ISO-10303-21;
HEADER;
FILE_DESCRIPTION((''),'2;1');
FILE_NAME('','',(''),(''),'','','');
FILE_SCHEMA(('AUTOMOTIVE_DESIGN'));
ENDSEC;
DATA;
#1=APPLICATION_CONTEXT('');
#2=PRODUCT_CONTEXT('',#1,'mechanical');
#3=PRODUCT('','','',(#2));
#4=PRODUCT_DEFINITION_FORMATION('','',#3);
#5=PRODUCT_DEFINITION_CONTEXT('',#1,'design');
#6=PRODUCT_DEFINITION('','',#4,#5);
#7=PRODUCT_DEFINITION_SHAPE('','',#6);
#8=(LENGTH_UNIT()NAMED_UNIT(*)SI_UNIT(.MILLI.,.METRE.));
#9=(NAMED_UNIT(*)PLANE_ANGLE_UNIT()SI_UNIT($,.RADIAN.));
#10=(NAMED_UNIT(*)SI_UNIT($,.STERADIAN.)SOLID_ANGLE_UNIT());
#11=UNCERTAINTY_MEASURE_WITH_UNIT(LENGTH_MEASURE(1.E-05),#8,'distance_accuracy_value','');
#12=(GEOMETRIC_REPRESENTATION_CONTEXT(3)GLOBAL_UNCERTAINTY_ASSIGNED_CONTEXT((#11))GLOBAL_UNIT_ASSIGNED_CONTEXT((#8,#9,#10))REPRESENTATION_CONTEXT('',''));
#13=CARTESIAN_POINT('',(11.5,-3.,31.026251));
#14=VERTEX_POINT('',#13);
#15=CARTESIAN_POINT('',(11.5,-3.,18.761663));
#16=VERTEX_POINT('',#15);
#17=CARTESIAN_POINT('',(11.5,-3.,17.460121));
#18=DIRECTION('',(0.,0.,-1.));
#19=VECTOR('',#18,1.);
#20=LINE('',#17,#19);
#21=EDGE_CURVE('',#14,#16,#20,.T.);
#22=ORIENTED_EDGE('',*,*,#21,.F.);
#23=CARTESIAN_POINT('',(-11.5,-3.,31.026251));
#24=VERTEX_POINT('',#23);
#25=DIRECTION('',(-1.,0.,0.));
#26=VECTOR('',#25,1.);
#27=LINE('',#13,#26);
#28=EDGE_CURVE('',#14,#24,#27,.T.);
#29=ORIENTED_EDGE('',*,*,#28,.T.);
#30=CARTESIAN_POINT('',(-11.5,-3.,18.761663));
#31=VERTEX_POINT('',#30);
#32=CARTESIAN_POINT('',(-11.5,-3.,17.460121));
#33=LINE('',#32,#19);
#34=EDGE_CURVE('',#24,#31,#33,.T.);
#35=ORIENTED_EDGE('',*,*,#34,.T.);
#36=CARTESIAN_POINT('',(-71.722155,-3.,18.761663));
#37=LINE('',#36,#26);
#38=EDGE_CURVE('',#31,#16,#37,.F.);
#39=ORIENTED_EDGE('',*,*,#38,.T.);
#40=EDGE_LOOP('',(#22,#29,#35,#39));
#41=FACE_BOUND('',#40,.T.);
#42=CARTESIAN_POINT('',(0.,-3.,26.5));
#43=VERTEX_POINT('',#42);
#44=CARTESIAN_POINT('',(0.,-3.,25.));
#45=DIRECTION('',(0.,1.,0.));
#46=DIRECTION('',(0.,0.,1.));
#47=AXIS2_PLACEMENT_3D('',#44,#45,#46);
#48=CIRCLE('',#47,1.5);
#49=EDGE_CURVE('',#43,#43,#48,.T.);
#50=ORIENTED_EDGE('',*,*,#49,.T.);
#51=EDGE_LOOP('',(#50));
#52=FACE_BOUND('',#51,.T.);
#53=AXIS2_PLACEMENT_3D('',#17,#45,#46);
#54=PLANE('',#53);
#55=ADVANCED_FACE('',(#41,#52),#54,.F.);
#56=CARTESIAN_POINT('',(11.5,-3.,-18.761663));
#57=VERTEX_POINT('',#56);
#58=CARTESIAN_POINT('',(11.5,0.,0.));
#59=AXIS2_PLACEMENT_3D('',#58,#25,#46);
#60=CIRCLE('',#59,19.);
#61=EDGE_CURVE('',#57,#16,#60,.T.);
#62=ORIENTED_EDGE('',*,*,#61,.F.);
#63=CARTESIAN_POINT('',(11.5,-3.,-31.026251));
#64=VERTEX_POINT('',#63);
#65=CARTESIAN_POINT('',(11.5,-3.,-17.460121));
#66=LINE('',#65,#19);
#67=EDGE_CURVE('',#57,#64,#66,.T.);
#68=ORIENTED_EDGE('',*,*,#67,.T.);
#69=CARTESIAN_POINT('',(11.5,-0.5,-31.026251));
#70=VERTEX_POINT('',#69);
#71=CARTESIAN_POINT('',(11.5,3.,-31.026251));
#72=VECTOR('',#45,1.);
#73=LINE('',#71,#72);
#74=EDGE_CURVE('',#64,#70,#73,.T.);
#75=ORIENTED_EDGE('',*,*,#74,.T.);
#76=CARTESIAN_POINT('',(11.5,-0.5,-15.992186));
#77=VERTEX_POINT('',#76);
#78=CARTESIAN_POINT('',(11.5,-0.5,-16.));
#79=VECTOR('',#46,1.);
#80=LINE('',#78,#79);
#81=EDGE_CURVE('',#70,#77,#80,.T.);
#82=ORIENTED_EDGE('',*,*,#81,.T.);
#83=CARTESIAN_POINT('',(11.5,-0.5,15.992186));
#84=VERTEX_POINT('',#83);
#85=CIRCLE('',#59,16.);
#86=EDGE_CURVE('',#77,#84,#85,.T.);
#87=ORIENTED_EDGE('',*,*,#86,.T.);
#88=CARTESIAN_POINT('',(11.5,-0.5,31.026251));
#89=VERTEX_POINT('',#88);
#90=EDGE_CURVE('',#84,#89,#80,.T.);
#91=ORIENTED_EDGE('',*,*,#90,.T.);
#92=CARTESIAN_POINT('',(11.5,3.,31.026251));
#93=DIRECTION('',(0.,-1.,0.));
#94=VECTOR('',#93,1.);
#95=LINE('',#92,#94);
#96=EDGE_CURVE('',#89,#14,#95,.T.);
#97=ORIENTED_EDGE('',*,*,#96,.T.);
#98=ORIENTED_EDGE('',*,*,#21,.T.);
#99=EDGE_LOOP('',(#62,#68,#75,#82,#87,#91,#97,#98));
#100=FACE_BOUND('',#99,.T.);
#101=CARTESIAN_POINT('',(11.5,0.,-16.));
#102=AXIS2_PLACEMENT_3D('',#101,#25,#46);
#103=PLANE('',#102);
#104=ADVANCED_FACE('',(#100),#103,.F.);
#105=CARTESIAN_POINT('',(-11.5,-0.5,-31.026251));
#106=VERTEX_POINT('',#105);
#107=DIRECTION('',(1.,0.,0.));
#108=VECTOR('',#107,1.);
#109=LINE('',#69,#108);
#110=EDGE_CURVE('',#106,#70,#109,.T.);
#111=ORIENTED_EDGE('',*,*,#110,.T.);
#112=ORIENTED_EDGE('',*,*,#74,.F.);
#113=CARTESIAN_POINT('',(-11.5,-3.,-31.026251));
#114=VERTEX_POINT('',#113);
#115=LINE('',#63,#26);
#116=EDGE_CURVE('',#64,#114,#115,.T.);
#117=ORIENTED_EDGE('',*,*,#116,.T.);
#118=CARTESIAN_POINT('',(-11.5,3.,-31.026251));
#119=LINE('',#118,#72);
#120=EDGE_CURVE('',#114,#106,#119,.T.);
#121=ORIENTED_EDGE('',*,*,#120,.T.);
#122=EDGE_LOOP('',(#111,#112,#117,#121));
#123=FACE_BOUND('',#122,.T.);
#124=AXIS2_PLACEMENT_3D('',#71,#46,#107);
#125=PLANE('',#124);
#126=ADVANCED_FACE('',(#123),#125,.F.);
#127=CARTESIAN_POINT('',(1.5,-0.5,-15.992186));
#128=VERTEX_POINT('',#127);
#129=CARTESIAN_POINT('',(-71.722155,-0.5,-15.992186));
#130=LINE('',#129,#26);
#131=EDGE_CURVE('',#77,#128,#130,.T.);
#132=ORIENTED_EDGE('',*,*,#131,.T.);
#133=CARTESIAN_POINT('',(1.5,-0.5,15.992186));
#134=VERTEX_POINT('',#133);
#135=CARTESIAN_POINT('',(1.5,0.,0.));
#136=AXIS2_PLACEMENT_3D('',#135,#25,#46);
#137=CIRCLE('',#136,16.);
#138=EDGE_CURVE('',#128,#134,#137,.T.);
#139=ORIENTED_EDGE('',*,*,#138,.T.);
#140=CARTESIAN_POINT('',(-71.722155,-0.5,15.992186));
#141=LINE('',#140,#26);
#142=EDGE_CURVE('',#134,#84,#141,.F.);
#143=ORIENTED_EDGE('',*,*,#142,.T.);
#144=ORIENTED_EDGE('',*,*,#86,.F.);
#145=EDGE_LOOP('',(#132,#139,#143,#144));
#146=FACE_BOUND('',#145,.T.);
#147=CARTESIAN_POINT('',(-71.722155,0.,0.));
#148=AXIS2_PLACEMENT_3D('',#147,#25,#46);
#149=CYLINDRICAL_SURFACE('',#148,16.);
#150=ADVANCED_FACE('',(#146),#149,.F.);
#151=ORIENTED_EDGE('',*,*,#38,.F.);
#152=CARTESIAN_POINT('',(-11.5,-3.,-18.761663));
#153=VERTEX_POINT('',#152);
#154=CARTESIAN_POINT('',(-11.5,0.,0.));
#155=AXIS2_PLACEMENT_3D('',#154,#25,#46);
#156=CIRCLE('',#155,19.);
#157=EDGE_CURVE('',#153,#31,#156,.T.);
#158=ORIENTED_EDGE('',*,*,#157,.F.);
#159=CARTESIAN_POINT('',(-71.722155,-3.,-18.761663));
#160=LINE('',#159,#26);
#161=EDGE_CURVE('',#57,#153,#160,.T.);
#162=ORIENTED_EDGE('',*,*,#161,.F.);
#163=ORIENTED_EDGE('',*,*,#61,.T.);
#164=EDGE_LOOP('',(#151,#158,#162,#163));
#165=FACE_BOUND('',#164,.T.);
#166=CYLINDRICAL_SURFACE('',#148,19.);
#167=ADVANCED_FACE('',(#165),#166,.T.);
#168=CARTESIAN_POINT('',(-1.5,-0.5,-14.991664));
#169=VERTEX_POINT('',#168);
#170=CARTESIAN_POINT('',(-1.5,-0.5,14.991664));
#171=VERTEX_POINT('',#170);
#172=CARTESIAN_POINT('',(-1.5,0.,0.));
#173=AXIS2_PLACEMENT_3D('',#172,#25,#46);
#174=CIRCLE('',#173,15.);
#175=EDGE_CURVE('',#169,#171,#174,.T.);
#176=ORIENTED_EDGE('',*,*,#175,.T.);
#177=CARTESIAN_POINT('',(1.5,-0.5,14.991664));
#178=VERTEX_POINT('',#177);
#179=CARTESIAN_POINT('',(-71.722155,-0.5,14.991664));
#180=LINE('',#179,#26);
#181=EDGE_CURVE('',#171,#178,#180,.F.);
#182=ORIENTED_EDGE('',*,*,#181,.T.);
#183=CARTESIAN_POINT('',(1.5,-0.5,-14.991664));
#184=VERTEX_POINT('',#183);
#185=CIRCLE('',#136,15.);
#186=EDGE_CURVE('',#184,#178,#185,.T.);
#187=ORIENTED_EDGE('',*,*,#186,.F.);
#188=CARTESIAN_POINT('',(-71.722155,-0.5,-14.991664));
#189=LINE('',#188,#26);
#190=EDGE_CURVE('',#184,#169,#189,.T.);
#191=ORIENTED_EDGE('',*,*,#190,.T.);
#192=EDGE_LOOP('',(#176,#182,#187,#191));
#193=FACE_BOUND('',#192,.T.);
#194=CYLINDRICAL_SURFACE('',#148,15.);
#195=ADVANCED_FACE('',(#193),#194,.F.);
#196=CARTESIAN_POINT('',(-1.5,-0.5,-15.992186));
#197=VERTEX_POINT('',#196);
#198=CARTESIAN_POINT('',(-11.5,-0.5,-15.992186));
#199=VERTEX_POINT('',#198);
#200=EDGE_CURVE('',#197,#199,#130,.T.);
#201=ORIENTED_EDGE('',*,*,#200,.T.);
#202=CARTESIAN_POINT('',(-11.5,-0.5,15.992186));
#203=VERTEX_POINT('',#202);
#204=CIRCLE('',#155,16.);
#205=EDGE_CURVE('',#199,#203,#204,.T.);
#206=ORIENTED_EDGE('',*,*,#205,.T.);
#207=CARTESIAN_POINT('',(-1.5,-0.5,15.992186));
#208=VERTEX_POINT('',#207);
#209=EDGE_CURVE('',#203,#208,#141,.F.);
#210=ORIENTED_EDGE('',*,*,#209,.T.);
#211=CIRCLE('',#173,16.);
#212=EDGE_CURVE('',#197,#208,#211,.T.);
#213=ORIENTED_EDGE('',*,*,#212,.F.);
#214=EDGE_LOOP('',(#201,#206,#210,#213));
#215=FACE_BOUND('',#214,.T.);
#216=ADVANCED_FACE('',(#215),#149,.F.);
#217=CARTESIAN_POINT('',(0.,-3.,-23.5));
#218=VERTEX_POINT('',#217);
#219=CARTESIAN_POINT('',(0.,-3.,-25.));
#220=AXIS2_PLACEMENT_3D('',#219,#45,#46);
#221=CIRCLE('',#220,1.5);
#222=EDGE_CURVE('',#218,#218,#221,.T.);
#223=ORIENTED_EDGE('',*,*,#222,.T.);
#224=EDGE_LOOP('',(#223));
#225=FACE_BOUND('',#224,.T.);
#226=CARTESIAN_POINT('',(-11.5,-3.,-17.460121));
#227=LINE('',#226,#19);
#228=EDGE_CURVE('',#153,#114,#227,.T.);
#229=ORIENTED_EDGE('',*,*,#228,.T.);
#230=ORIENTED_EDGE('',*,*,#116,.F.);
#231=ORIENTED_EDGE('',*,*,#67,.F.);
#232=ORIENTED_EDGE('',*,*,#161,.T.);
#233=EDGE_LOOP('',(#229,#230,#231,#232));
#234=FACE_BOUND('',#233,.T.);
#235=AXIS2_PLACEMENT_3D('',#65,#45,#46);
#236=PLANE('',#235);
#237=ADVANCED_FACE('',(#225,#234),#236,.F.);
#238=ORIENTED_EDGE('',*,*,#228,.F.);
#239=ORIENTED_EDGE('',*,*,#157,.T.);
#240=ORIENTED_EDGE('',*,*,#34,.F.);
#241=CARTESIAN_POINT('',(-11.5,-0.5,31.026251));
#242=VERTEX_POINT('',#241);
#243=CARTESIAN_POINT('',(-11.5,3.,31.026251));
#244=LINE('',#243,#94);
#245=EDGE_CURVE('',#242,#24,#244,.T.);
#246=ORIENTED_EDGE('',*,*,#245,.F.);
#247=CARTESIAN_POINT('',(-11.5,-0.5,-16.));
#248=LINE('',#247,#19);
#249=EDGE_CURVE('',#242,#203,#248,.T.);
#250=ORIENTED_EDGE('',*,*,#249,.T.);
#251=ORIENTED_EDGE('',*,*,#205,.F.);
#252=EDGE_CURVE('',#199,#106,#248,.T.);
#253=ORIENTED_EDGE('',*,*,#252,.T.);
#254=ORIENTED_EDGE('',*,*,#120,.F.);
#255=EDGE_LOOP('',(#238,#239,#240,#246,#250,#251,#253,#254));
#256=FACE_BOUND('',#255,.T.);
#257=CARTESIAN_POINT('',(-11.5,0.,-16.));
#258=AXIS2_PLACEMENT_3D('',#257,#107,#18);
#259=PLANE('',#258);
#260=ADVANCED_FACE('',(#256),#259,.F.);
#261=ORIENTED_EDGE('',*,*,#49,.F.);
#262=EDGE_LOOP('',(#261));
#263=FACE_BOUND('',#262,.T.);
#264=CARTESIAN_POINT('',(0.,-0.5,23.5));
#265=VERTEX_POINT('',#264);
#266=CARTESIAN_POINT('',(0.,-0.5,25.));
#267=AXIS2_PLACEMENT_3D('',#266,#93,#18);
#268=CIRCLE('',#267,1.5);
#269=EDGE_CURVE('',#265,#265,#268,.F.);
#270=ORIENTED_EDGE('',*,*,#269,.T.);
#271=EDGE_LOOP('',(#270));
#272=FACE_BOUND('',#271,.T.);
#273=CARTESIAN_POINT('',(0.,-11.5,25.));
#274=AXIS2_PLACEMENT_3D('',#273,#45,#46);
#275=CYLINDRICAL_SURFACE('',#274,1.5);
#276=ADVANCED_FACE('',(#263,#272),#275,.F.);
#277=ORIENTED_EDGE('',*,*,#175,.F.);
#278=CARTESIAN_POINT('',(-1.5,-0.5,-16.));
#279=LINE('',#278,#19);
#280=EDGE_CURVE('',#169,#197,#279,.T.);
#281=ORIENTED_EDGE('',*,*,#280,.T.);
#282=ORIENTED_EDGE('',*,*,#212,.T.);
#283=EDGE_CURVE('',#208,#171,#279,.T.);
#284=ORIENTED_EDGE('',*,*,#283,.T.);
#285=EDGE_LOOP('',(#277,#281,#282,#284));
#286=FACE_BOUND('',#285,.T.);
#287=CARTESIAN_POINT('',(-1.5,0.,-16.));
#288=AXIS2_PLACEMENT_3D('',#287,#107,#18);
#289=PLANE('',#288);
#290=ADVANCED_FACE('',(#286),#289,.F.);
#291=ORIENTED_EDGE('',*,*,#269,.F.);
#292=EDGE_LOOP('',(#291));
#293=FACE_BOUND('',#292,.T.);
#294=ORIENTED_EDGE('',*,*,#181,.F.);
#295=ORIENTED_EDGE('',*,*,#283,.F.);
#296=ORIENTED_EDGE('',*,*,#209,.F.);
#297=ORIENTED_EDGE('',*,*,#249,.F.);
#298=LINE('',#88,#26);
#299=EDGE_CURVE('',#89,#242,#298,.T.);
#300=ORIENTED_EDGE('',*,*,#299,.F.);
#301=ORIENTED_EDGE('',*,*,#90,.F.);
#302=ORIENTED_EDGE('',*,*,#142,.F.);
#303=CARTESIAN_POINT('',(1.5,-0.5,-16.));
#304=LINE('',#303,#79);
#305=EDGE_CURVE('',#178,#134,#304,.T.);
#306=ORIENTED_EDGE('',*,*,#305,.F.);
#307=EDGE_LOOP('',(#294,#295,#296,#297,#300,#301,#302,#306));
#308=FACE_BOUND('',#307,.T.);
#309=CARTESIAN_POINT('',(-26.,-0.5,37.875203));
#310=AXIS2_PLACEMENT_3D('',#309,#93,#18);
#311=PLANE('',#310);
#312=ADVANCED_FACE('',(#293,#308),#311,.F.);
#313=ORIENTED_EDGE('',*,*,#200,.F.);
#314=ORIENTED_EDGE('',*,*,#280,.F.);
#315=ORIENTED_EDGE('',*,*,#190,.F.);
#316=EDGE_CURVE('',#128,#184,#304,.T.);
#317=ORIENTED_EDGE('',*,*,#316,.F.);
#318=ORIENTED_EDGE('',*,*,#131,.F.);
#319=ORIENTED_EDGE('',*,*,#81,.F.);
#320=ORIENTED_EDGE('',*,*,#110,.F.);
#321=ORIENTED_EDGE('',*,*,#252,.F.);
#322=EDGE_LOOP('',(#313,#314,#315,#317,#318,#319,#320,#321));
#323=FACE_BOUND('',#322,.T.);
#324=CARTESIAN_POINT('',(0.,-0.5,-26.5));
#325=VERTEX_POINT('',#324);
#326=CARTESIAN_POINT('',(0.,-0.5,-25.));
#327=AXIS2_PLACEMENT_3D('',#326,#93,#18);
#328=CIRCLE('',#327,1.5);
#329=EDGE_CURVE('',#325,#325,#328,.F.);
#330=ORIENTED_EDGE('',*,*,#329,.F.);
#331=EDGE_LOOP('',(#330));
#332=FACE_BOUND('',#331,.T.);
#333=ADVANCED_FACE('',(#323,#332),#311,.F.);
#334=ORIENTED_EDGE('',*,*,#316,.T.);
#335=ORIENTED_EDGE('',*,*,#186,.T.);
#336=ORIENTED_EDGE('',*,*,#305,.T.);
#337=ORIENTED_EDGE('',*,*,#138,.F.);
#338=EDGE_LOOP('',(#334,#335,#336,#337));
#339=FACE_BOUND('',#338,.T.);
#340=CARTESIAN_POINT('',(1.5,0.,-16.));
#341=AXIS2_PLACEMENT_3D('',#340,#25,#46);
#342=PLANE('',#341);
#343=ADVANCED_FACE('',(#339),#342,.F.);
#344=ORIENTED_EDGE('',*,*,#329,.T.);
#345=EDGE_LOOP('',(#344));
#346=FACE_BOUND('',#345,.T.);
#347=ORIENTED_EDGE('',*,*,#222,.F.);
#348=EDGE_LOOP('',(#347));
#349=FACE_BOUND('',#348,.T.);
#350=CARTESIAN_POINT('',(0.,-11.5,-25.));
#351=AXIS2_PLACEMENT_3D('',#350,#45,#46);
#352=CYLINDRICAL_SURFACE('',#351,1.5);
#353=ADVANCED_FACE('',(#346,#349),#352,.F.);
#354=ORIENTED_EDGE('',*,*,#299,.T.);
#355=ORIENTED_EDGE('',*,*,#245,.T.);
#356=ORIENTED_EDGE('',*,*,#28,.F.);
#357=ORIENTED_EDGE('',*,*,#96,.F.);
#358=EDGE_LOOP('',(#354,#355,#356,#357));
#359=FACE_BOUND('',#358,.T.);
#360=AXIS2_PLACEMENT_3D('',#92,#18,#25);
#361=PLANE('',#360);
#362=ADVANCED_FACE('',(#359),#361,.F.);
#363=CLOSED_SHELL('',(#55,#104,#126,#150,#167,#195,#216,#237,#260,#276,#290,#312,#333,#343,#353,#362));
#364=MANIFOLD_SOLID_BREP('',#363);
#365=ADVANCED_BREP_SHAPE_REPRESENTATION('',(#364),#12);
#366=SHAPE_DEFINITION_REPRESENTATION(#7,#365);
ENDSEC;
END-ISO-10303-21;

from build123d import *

# Parameters (mm, degrees)
SKETCH3_W           = 13.566130208
SKETCH3_H           = 6
BOSS_EXTRUDE1_DEPTH = 11.5
SKETCH4_R           = 1.5
CUT_EXTRUDE1_DEPTH  = 11.5
SKETCH5_W           = 75.75040558
SKETCH5_H           = 1
CUT_EXTRUDE2_DEPTH  = 26


with BuildPart() as part:
    # Sketch2 → Revolve1 (revolve)
    with BuildSketch(Plane(origin=(0, 0, 0), x_dir=(1, 0, 0), z_dir=(0, 1, 0)), mode=Mode.PRIVATE) as revolve1_sk:
        Polygon((-11.5, 16), (-1.5, 16), (-1.5, 15), (1.5, 15), (1.5, 16), (11.5, 16), (11.5, 19), (-11.5, 19), align=None)
    revolve(revolve1_sk.sketch.rotate(Axis((-71.722155375, 0, 0), (1, 0, 0)), 180), axis=Axis((-71.722155375, 0, 0), (1, 0, 0)))

    # Sketch3 → Boss-Extrude1 (add, symmetric)
    with BuildSketch(Plane(origin=(0, 0, 0), x_dir=(0, 0, -1), z_dir=(1, 0, 0))):
        with Locations((24.243185686, 0)):
            Rectangle(SKETCH3_W, SKETCH3_H)
        with Locations((-24.243185686, 0)):
            Rectangle(SKETCH3_W, SKETCH3_H)
    extrude(amount=BOSS_EXTRUDE1_DEPTH, both=True)

    # Sketch4 → Cut-Extrude1 (cut, symmetric)
    with BuildSketch(Plane(origin=(0, 0, 0), x_dir=(1, 0, 0), z_dir=(0, 1, 0))):
        with Locations(Location((0, 25, 0), (0, 0, 270))):
            Circle(SKETCH4_R)
        with Locations(Location((0, -25, 0), (0, 0, 270))):
            Circle(SKETCH4_R)
    extrude(amount=CUT_EXTRUDE1_DEPTH, both=True, mode=Mode.SUBTRACT)

    # Sketch5 → Cut-Extrude2 (cut, symmetric)
    with BuildSketch(Plane(origin=(0, 0, 0), x_dir=(0, 0, -1), z_dir=(1, 0, 0))):
        Rectangle(SKETCH5_W, SKETCH5_H)
    extrude(amount=CUT_EXTRUDE2_DEPTH, both=True, mode=Mode.SUBTRACT)


with BuildPart() as cut_extrude2_piece_1:
    # of the separate pieces the step leaves, piece 1, a body of its own (cut_extrude2_pieces)
    add(part.part.solids().sort_by_distance((-11.5, 0.5, -15.992185592))[0])


with BuildPart() as cut_extrude2_piece_2:
    # of the separate pieces the step leaves, piece 2, a body of its own (cut_extrude2_pieces)
    add(part.part.solids().sort_by_distance((-11.5, -0.5, 15.992185592))[0])


solid = cut_extrude2_piece_2.part
